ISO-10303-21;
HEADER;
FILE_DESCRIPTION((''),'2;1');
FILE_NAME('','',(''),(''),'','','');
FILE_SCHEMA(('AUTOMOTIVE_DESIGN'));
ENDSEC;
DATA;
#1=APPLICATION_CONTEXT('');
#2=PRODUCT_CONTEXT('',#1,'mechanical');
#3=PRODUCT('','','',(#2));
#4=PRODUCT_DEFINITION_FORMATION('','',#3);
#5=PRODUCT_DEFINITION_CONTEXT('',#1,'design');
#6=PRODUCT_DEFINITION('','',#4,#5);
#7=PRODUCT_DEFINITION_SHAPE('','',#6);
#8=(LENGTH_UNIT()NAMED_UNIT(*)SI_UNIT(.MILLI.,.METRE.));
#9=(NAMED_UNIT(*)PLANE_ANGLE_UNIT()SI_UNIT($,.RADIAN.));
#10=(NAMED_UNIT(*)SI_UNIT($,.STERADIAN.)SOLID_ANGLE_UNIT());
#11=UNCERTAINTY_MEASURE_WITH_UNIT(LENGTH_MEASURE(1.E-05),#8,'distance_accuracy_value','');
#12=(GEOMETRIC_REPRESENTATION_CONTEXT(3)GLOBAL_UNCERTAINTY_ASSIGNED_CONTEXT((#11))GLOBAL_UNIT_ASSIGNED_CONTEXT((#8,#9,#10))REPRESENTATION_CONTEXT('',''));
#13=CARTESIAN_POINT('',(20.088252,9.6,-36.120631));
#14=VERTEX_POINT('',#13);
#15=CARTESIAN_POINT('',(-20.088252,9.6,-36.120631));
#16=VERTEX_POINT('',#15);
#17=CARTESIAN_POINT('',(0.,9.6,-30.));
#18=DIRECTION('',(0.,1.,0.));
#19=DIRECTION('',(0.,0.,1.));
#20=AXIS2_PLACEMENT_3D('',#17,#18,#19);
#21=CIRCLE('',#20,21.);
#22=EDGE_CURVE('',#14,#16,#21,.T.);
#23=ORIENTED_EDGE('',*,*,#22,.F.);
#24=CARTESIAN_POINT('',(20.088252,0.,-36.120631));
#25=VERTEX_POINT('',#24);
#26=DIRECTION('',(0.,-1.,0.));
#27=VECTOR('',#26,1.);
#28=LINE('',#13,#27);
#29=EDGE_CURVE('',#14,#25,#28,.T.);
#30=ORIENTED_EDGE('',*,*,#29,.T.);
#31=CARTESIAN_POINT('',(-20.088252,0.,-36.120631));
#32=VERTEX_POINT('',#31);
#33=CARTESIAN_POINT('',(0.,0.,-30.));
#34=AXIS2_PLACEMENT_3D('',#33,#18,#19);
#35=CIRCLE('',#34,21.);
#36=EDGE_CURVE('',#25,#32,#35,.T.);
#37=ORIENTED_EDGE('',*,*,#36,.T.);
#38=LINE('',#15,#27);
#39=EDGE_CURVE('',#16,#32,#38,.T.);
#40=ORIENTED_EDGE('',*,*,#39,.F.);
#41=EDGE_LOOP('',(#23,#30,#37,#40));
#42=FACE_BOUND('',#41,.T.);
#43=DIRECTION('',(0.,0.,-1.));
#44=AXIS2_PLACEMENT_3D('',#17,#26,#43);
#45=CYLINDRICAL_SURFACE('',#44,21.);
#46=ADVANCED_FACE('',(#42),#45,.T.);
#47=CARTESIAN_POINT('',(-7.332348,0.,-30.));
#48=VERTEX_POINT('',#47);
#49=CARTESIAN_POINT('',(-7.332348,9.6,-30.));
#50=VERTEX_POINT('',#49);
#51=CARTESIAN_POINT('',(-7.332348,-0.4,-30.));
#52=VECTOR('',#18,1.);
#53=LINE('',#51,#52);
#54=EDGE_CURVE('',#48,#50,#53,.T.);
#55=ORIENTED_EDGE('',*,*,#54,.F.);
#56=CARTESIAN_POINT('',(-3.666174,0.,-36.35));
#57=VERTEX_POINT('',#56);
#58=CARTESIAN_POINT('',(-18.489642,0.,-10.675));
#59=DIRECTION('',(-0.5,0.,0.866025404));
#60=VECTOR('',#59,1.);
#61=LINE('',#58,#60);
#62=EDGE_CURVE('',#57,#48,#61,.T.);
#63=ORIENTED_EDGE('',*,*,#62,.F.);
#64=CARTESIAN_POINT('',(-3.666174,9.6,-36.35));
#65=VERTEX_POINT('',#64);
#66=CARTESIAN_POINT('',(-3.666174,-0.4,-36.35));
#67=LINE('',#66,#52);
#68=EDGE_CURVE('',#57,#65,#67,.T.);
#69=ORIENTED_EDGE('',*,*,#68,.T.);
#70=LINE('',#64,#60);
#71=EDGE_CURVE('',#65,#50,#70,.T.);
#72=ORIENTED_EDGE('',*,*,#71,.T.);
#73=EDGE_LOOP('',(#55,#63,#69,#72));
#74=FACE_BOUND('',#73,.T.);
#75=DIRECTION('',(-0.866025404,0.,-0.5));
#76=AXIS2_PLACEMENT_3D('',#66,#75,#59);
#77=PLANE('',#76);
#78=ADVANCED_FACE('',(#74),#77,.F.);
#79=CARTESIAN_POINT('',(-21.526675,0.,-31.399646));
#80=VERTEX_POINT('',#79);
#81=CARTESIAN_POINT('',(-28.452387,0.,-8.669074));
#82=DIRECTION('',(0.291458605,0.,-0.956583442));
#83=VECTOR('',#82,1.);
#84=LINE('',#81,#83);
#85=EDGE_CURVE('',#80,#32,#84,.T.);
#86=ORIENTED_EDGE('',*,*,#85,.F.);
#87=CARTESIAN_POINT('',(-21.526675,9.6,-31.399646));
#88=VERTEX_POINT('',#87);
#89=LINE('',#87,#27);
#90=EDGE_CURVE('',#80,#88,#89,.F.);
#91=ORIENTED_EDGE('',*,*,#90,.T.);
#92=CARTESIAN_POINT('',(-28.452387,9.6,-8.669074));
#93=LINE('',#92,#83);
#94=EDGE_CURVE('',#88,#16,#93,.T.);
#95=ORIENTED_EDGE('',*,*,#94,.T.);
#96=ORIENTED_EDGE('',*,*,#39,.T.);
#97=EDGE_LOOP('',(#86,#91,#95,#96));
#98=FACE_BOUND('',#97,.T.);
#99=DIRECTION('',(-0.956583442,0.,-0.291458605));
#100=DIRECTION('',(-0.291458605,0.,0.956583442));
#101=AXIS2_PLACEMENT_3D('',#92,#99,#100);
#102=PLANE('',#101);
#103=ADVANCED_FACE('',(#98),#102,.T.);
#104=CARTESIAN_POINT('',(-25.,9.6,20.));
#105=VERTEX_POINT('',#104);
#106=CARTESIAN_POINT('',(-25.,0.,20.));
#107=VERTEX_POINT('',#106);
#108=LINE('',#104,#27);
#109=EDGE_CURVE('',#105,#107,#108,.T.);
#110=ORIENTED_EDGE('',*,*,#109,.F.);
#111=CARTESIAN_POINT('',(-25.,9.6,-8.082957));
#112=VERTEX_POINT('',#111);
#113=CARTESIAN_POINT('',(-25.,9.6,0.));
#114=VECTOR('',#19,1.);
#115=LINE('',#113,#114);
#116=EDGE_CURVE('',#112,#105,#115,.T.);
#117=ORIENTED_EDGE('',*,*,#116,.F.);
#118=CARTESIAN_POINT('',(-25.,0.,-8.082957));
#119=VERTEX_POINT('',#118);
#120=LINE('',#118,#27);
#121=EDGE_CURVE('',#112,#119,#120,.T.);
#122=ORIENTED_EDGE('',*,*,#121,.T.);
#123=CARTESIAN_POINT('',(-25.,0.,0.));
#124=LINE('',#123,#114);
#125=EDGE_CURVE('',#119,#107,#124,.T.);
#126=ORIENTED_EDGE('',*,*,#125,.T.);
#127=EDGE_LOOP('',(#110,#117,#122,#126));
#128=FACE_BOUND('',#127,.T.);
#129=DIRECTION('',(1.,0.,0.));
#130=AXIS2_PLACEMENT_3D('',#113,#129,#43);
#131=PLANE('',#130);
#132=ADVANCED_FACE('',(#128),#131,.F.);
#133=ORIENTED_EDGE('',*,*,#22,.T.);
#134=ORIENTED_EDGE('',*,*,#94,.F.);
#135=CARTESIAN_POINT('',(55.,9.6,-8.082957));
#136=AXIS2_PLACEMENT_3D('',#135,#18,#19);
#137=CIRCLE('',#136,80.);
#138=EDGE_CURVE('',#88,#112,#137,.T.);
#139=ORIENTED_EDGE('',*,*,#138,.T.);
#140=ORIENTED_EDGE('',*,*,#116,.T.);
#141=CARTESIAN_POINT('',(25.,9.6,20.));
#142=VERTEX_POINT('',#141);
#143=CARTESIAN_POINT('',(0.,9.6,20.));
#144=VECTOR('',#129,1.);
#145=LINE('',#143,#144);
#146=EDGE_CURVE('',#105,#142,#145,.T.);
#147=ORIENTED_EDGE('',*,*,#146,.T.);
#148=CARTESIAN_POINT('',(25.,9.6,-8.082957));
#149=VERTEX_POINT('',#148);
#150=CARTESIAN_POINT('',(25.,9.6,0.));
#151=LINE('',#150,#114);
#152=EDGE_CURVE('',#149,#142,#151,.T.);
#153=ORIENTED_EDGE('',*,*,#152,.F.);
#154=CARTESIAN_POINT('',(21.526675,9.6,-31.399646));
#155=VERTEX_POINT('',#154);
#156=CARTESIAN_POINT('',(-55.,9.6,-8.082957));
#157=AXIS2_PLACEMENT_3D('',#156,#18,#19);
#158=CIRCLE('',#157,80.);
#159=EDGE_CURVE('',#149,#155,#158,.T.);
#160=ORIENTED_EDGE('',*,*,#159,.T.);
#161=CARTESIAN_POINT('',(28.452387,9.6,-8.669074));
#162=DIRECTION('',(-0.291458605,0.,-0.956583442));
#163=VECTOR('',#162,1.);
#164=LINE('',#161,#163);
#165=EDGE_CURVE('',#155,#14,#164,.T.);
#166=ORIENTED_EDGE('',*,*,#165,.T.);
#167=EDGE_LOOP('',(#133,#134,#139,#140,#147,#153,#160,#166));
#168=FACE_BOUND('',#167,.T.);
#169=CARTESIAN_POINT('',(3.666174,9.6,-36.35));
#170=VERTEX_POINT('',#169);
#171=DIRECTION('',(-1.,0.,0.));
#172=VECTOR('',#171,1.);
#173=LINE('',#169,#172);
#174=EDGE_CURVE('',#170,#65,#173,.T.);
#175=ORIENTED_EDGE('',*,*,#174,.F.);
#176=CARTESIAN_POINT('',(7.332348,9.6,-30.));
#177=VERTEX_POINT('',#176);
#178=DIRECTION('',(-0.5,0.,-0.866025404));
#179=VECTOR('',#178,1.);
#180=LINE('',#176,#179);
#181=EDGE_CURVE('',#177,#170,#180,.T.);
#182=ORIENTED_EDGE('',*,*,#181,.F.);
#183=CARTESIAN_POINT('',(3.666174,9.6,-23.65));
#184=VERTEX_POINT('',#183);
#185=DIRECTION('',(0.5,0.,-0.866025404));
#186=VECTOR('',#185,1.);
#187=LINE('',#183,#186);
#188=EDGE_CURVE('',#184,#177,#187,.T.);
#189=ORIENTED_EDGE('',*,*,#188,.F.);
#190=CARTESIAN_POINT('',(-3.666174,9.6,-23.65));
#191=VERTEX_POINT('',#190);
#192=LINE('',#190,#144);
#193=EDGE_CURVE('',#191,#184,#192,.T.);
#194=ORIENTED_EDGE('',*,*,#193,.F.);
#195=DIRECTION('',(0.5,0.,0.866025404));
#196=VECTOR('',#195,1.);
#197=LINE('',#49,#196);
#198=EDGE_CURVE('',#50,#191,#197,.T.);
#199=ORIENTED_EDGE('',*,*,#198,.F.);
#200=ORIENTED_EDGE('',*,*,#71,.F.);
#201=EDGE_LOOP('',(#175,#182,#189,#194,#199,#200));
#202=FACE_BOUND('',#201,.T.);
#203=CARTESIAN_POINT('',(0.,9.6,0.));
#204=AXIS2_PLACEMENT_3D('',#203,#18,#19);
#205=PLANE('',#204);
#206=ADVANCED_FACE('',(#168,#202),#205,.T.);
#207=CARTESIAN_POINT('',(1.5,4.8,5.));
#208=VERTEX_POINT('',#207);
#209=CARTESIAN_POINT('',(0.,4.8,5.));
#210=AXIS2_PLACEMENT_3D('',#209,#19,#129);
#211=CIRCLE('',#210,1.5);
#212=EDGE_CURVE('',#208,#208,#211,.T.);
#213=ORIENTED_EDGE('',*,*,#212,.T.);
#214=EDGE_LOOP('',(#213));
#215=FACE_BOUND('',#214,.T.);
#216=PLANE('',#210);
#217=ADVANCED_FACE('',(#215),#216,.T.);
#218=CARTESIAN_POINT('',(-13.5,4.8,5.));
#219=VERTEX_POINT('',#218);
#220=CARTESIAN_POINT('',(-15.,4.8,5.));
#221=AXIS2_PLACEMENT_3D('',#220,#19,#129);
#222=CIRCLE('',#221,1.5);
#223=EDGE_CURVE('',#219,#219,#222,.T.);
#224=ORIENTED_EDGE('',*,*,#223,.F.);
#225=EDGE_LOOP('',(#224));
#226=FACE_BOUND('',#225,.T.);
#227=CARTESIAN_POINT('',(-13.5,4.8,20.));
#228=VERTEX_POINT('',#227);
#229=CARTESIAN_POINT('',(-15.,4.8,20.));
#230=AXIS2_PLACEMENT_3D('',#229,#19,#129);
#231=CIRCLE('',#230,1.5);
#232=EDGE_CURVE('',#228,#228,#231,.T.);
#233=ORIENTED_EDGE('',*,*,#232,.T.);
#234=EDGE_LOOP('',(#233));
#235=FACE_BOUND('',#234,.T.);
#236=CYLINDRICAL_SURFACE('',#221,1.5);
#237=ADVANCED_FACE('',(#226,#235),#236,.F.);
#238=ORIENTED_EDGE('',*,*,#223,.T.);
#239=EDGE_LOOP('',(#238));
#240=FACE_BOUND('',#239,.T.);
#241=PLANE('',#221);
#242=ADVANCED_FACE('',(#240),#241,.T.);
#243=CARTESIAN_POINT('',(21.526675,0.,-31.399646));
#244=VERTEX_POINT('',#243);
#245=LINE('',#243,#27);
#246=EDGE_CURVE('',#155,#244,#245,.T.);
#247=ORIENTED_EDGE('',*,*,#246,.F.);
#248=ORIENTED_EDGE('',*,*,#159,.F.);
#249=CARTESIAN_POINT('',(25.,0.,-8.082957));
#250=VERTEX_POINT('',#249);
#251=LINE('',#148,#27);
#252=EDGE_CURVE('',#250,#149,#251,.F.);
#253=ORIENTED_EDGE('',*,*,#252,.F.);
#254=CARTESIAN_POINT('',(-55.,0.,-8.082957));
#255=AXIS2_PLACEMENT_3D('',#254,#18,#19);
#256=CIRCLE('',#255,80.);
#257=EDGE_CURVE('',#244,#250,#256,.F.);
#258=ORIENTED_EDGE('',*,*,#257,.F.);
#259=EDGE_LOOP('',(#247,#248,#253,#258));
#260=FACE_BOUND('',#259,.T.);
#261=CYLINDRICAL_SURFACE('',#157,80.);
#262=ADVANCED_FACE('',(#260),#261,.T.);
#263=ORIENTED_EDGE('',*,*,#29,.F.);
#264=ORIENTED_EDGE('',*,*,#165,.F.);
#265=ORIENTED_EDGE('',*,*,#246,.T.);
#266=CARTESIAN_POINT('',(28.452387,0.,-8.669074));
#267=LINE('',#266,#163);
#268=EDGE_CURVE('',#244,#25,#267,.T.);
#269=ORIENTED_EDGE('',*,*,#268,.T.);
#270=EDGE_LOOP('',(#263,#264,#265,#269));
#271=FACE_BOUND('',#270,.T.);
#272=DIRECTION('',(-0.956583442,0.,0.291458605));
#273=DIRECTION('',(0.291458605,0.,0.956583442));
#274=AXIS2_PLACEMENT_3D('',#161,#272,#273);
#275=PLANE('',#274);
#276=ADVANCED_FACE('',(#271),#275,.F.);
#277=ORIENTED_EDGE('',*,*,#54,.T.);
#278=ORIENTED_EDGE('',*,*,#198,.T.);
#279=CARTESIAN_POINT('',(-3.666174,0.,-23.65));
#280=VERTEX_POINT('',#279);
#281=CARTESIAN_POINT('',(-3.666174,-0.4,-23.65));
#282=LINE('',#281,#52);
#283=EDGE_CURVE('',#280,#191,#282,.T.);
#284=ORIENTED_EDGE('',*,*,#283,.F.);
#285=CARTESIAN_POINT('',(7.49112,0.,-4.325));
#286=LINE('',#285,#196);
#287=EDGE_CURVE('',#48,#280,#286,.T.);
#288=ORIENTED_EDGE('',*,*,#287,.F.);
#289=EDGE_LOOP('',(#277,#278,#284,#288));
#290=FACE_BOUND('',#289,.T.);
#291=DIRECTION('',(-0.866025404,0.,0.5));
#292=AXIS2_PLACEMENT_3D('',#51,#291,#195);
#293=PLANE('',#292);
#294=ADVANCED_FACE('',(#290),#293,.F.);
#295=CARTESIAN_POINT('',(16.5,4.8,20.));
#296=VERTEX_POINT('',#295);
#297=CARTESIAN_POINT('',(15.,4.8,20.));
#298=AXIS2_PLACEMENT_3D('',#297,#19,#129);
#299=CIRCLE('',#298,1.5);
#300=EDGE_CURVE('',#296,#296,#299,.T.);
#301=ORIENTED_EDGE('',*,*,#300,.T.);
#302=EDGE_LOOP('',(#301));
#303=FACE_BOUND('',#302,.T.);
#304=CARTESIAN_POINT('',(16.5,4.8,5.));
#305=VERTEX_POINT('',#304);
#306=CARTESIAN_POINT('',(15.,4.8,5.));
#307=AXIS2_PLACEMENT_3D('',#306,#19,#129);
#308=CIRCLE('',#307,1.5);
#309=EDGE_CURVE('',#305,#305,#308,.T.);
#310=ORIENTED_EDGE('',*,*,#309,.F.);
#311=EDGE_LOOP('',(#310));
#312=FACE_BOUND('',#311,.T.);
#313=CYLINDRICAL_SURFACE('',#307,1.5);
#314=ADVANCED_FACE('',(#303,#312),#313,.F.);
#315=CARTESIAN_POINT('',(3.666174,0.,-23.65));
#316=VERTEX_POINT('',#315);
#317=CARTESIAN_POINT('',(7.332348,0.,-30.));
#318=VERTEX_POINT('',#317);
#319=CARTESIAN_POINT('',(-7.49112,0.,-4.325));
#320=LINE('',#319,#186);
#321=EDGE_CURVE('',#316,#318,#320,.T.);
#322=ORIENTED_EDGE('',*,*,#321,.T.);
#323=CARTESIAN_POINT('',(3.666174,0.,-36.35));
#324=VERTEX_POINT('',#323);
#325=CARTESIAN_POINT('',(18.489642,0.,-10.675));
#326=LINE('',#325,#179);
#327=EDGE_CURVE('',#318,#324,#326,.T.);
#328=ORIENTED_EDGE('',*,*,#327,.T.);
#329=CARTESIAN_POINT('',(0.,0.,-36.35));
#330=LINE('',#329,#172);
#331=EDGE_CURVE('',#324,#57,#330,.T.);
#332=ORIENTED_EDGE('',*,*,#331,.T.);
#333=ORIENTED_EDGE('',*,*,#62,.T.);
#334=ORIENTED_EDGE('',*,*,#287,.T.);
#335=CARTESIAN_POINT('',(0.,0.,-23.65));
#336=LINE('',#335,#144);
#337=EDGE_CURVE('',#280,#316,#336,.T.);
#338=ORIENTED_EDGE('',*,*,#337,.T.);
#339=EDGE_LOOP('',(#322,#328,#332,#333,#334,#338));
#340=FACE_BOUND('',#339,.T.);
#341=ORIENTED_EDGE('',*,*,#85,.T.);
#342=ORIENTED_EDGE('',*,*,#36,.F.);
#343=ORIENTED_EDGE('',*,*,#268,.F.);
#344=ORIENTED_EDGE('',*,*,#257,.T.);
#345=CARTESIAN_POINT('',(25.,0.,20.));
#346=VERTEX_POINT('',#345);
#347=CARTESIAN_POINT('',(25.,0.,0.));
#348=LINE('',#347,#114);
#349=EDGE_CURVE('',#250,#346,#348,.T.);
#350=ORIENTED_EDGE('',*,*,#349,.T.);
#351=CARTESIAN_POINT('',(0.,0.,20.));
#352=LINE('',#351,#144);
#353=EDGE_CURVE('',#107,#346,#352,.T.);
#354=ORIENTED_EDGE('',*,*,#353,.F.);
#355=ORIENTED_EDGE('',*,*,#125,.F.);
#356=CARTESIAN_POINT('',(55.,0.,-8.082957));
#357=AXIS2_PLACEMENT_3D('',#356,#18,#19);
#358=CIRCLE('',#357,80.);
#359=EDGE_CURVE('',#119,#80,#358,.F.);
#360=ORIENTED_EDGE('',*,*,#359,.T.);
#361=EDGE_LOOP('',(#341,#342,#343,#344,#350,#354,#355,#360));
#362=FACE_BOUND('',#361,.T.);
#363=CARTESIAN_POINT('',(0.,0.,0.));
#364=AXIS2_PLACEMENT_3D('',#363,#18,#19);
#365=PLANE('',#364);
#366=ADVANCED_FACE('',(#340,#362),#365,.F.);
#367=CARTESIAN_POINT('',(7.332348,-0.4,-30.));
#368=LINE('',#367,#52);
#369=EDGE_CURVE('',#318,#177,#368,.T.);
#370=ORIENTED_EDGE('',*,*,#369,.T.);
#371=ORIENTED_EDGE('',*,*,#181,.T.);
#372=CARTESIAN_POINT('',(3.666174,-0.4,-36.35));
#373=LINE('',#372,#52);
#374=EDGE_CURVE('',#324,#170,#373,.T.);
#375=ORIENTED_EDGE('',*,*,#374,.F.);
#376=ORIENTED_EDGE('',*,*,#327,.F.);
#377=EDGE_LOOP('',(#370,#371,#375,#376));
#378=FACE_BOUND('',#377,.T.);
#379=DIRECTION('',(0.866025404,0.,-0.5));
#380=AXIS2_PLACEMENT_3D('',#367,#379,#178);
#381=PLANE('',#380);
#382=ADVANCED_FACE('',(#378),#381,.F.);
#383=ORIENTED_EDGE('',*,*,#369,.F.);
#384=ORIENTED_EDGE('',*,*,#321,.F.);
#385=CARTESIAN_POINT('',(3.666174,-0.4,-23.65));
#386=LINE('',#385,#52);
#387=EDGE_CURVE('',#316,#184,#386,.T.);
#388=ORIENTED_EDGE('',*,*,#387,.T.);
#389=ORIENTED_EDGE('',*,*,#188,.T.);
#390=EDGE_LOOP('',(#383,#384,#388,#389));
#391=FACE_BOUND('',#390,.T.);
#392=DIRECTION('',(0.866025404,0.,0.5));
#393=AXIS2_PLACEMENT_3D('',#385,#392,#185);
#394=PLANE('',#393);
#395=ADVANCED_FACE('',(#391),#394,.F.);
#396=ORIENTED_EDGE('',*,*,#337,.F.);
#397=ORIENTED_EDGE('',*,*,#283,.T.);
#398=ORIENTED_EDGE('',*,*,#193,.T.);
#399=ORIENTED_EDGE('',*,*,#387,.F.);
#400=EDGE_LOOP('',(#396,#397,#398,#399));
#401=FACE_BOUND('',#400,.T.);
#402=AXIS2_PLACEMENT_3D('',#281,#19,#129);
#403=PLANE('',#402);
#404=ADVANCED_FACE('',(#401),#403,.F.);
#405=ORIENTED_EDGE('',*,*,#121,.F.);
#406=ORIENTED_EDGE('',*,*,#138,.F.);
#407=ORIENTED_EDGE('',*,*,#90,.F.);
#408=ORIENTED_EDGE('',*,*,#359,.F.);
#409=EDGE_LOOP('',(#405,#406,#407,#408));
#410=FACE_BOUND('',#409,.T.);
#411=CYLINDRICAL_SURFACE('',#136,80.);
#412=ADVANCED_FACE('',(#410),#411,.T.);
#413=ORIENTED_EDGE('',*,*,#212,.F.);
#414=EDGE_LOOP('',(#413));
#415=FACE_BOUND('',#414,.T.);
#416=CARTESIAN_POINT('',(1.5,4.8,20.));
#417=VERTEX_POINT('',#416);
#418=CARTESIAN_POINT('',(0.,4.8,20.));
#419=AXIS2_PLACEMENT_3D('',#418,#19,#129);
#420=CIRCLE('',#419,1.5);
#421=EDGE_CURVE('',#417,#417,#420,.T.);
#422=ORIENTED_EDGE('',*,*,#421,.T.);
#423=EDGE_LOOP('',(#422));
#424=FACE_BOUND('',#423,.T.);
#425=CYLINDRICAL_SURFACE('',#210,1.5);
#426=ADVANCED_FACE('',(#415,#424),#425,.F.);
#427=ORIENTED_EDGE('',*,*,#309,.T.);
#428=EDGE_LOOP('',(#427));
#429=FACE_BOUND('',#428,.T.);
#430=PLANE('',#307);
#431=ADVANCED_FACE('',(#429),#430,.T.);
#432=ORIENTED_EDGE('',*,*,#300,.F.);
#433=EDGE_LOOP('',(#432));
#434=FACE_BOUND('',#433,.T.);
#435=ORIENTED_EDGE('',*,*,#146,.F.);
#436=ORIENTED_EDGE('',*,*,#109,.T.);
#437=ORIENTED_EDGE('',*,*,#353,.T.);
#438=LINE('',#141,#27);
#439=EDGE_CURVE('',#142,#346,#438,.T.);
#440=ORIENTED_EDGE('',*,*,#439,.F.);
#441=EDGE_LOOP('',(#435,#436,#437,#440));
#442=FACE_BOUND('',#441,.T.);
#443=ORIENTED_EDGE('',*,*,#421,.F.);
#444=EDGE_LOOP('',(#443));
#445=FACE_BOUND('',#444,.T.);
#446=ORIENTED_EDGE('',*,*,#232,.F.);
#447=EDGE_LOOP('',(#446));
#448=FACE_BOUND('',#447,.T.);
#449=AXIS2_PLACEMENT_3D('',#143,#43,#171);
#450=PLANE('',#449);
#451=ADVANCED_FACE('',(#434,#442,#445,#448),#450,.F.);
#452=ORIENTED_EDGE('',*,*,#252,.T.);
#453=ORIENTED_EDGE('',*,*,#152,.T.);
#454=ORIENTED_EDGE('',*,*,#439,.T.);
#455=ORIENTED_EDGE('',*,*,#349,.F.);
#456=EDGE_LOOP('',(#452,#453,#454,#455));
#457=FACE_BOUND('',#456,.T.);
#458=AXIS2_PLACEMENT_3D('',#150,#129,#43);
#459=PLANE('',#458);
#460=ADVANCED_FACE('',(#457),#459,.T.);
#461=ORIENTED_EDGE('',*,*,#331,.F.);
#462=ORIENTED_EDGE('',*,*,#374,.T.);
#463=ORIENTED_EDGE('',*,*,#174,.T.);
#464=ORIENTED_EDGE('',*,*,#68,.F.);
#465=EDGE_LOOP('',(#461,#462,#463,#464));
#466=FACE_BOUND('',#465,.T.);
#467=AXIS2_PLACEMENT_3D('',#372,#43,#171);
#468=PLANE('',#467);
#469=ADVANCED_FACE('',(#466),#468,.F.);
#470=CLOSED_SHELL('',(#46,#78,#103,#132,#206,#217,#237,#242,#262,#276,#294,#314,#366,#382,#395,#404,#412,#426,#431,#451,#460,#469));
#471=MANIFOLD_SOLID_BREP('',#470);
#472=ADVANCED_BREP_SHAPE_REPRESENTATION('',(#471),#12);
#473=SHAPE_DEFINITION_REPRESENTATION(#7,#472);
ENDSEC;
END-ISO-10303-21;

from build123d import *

# Parameters (mm, degrees)
CROQUIS1_R              = 21
CROQUIS1_W              = 50
CROQUIS1_H              = 40
SALIENTE_EXTRUIR1_DEPTH = 9.6
CROQUIS2_R              = 16
CORTAR_EXTRUIR1_DEPTH   = 58.603472118
REDONDEO1_R             = 80
CROQUIS3_R              = 1.5
CORTAR_EXTRUIR2_DEPTH   = 15
MATRIZL1_COUNT          = 2
MATRIZL1_PITCH          = 15
MATRIZL1_COL_COUNT      = 2
MATRIZL1_COL_PITCH      = 15
SKETCH1_R               = 16
BOSS_EXTRUDE1_DEPTH     = 9.6
SKETCH3_R               = 10
BOSS_EXTRUDE2_DEPTH     = 9.6
CUT_EXTRUDE2_DEPTH      = 10


with BuildPart() as part:
    # Croquis1 → Saliente-Extruir1 (new body)
    with BuildSketch(Plane(origin=(0, 0, 0), x_dir=(1, 0, 0), z_dir=(0, 1, 0))):
        with Locations((0, 30)):
            Circle(CROQUIS1_R)
        Rectangle(CROQUIS1_W, CROQUIS1_H)
        with BuildLine():
            ThreePointArc((20.088252282, 36.120630706), (0, 51), (-20.088252282, 36.120630706))
            ThreePointArc((-20.088252282, 36.120630706), (-20.89449325, 27.897584284), (-18.466185313, 20))
            Line((-18.466185313, 20), (18.466185313, 20))
            ThreePointArc((18.466185313, 20), (20.356692899, 24.841991255), (21, 30))
            ThreePointArc((21, 30), (20.770812429, 33.09408323), (20.088252282, 36.120630706))
        make_face()
        with BuildLine():
            Line((18.466185313, 20), (-18.466185313, 20))
            ThreePointArc((-18.466185313, 20), (0, 9), (18.466185313, 20))
        make_face()
        with BuildLine():
            Line((25, 20), (20.088252282, 36.120630706))
            ThreePointArc((20.088252282, 36.120630706), (20.770812429, 33.09408323), (21, 30))
            ThreePointArc((21, 30), (20.356692899, 24.841991255), (18.466185313, 20))
            Line((18.466185313, 20), (25, 20))
        make_face()
        with BuildLine():
            Line((-20.088252282, 36.120630706), (-25, 20))
            Line((-25, 20), (-18.466185313, 20))
            ThreePointArc((-18.466185313, 20), (-20.89449325, 27.897584284), (-20.088252282, 36.120630706))
        make_face()
    extrude(amount=SALIENTE_EXTRUIR1_DEPTH)

    # Croquis2 → Cortar-Extruir1 (cut, through all)
    with BuildSketch(Plane(origin=(0, 9.6, 0), x_dir=(1, 0, 0), z_dir=(0, 1, 0))):
        with Locations(Location((0, 30, 0), (0, 0, 270))):
            Circle(CROQUIS2_R)
    extrude(amount=-CORTAR_EXTRUIR1_DEPTH, mode=Mode.SUBTRACT)

    # Redondeo1
    redondeo1_edges = [part.edges().sort_by_distance(p)[0] for p in [
        (25, 4.8, -20),
        (-25, 4.8, -20),
    ]]
    fillet(redondeo1_edges, radius=REDONDEO1_R)

    # Croquis3 → Cortar-Extruir2 (cut)
    with BuildSketch(Plane.XY.offset(20)):
        with Locations((0, 4.8)):
            Circle(CROQUIS3_R)
    cortar_extruir2 = extrude(amount=-CORTAR_EXTRUIR2_DEPTH, mode=Mode.SUBTRACT)

    # MatrizL1: Cortar-Extruir2 ×2
    with Locations(*[(i * MATRIZL1_PITCH, 0, 0) for i in range(1, MATRIZL1_COUNT)]):
        add(cortar_extruir2, mode=Mode.SUBTRACT)

    # MatrizL1 col: Cortar-Extruir2 ×2
    with Locations(*[(-i * MATRIZL1_COL_PITCH, 0, 0) for i in range(1, MATRIZL1_COL_COUNT)]):
        add(cortar_extruir2, mode=Mode.SUBTRACT)

    # Sketch1 → Boss-Extrude1 (add)
    with BuildSketch(Plane(origin=(0, 9.6, 0), x_dir=(1, 0, 0), z_dir=(0, 1, 0))):
        with Locations((0, 30)):
            Circle(SKETCH1_R)
        with BuildLine():
            Line((-2.5, 36.538348415), (-2.5, 39.5))
            Line((-2.5, 39.5), (2.5, 39.5))
            Line((2.5, 39.5), (2.5, 36.538348415))
            ThreePointArc((2.5, 36.538348415), (5.766281297, 33.968626967), (7, 30))
            ThreePointArc((7, 30), (-3.968626967, 24.233718703), (-2.5, 36.538348415))
        make_face(mode=Mode.SUBTRACT)
    extrude(amount=-BOSS_EXTRUDE1_DEPTH)

    # Sketch3 → Boss-Extrude2 (add)
    with BuildSketch(Plane(origin=(0, 9.6, 0), x_dir=(1, 0, 0), z_dir=(0, 1, 0))):
        with Locations((0, 30)):
            Circle(SKETCH3_R)
    extrude(amount=-BOSS_EXTRUDE2_DEPTH)

    # Sketch2 → Cut-Extrude2 (cut)
    with BuildSketch(Plane(origin=(0, 9.6, 0), x_dir=(1, 0, 0), z_dir=(0, 1, 0))):
        Polygon((3.666174209, 36.35), (-3.666174209, 36.35), (-7.332348419, 30), (-3.666174209, 23.65), (3.666174209, 23.65), (7.332348419, 30), align=None)
    extrude(amount=-CUT_EXTRUDE2_DEPTH, mode=Mode.SUBTRACT)


solid = part.part
